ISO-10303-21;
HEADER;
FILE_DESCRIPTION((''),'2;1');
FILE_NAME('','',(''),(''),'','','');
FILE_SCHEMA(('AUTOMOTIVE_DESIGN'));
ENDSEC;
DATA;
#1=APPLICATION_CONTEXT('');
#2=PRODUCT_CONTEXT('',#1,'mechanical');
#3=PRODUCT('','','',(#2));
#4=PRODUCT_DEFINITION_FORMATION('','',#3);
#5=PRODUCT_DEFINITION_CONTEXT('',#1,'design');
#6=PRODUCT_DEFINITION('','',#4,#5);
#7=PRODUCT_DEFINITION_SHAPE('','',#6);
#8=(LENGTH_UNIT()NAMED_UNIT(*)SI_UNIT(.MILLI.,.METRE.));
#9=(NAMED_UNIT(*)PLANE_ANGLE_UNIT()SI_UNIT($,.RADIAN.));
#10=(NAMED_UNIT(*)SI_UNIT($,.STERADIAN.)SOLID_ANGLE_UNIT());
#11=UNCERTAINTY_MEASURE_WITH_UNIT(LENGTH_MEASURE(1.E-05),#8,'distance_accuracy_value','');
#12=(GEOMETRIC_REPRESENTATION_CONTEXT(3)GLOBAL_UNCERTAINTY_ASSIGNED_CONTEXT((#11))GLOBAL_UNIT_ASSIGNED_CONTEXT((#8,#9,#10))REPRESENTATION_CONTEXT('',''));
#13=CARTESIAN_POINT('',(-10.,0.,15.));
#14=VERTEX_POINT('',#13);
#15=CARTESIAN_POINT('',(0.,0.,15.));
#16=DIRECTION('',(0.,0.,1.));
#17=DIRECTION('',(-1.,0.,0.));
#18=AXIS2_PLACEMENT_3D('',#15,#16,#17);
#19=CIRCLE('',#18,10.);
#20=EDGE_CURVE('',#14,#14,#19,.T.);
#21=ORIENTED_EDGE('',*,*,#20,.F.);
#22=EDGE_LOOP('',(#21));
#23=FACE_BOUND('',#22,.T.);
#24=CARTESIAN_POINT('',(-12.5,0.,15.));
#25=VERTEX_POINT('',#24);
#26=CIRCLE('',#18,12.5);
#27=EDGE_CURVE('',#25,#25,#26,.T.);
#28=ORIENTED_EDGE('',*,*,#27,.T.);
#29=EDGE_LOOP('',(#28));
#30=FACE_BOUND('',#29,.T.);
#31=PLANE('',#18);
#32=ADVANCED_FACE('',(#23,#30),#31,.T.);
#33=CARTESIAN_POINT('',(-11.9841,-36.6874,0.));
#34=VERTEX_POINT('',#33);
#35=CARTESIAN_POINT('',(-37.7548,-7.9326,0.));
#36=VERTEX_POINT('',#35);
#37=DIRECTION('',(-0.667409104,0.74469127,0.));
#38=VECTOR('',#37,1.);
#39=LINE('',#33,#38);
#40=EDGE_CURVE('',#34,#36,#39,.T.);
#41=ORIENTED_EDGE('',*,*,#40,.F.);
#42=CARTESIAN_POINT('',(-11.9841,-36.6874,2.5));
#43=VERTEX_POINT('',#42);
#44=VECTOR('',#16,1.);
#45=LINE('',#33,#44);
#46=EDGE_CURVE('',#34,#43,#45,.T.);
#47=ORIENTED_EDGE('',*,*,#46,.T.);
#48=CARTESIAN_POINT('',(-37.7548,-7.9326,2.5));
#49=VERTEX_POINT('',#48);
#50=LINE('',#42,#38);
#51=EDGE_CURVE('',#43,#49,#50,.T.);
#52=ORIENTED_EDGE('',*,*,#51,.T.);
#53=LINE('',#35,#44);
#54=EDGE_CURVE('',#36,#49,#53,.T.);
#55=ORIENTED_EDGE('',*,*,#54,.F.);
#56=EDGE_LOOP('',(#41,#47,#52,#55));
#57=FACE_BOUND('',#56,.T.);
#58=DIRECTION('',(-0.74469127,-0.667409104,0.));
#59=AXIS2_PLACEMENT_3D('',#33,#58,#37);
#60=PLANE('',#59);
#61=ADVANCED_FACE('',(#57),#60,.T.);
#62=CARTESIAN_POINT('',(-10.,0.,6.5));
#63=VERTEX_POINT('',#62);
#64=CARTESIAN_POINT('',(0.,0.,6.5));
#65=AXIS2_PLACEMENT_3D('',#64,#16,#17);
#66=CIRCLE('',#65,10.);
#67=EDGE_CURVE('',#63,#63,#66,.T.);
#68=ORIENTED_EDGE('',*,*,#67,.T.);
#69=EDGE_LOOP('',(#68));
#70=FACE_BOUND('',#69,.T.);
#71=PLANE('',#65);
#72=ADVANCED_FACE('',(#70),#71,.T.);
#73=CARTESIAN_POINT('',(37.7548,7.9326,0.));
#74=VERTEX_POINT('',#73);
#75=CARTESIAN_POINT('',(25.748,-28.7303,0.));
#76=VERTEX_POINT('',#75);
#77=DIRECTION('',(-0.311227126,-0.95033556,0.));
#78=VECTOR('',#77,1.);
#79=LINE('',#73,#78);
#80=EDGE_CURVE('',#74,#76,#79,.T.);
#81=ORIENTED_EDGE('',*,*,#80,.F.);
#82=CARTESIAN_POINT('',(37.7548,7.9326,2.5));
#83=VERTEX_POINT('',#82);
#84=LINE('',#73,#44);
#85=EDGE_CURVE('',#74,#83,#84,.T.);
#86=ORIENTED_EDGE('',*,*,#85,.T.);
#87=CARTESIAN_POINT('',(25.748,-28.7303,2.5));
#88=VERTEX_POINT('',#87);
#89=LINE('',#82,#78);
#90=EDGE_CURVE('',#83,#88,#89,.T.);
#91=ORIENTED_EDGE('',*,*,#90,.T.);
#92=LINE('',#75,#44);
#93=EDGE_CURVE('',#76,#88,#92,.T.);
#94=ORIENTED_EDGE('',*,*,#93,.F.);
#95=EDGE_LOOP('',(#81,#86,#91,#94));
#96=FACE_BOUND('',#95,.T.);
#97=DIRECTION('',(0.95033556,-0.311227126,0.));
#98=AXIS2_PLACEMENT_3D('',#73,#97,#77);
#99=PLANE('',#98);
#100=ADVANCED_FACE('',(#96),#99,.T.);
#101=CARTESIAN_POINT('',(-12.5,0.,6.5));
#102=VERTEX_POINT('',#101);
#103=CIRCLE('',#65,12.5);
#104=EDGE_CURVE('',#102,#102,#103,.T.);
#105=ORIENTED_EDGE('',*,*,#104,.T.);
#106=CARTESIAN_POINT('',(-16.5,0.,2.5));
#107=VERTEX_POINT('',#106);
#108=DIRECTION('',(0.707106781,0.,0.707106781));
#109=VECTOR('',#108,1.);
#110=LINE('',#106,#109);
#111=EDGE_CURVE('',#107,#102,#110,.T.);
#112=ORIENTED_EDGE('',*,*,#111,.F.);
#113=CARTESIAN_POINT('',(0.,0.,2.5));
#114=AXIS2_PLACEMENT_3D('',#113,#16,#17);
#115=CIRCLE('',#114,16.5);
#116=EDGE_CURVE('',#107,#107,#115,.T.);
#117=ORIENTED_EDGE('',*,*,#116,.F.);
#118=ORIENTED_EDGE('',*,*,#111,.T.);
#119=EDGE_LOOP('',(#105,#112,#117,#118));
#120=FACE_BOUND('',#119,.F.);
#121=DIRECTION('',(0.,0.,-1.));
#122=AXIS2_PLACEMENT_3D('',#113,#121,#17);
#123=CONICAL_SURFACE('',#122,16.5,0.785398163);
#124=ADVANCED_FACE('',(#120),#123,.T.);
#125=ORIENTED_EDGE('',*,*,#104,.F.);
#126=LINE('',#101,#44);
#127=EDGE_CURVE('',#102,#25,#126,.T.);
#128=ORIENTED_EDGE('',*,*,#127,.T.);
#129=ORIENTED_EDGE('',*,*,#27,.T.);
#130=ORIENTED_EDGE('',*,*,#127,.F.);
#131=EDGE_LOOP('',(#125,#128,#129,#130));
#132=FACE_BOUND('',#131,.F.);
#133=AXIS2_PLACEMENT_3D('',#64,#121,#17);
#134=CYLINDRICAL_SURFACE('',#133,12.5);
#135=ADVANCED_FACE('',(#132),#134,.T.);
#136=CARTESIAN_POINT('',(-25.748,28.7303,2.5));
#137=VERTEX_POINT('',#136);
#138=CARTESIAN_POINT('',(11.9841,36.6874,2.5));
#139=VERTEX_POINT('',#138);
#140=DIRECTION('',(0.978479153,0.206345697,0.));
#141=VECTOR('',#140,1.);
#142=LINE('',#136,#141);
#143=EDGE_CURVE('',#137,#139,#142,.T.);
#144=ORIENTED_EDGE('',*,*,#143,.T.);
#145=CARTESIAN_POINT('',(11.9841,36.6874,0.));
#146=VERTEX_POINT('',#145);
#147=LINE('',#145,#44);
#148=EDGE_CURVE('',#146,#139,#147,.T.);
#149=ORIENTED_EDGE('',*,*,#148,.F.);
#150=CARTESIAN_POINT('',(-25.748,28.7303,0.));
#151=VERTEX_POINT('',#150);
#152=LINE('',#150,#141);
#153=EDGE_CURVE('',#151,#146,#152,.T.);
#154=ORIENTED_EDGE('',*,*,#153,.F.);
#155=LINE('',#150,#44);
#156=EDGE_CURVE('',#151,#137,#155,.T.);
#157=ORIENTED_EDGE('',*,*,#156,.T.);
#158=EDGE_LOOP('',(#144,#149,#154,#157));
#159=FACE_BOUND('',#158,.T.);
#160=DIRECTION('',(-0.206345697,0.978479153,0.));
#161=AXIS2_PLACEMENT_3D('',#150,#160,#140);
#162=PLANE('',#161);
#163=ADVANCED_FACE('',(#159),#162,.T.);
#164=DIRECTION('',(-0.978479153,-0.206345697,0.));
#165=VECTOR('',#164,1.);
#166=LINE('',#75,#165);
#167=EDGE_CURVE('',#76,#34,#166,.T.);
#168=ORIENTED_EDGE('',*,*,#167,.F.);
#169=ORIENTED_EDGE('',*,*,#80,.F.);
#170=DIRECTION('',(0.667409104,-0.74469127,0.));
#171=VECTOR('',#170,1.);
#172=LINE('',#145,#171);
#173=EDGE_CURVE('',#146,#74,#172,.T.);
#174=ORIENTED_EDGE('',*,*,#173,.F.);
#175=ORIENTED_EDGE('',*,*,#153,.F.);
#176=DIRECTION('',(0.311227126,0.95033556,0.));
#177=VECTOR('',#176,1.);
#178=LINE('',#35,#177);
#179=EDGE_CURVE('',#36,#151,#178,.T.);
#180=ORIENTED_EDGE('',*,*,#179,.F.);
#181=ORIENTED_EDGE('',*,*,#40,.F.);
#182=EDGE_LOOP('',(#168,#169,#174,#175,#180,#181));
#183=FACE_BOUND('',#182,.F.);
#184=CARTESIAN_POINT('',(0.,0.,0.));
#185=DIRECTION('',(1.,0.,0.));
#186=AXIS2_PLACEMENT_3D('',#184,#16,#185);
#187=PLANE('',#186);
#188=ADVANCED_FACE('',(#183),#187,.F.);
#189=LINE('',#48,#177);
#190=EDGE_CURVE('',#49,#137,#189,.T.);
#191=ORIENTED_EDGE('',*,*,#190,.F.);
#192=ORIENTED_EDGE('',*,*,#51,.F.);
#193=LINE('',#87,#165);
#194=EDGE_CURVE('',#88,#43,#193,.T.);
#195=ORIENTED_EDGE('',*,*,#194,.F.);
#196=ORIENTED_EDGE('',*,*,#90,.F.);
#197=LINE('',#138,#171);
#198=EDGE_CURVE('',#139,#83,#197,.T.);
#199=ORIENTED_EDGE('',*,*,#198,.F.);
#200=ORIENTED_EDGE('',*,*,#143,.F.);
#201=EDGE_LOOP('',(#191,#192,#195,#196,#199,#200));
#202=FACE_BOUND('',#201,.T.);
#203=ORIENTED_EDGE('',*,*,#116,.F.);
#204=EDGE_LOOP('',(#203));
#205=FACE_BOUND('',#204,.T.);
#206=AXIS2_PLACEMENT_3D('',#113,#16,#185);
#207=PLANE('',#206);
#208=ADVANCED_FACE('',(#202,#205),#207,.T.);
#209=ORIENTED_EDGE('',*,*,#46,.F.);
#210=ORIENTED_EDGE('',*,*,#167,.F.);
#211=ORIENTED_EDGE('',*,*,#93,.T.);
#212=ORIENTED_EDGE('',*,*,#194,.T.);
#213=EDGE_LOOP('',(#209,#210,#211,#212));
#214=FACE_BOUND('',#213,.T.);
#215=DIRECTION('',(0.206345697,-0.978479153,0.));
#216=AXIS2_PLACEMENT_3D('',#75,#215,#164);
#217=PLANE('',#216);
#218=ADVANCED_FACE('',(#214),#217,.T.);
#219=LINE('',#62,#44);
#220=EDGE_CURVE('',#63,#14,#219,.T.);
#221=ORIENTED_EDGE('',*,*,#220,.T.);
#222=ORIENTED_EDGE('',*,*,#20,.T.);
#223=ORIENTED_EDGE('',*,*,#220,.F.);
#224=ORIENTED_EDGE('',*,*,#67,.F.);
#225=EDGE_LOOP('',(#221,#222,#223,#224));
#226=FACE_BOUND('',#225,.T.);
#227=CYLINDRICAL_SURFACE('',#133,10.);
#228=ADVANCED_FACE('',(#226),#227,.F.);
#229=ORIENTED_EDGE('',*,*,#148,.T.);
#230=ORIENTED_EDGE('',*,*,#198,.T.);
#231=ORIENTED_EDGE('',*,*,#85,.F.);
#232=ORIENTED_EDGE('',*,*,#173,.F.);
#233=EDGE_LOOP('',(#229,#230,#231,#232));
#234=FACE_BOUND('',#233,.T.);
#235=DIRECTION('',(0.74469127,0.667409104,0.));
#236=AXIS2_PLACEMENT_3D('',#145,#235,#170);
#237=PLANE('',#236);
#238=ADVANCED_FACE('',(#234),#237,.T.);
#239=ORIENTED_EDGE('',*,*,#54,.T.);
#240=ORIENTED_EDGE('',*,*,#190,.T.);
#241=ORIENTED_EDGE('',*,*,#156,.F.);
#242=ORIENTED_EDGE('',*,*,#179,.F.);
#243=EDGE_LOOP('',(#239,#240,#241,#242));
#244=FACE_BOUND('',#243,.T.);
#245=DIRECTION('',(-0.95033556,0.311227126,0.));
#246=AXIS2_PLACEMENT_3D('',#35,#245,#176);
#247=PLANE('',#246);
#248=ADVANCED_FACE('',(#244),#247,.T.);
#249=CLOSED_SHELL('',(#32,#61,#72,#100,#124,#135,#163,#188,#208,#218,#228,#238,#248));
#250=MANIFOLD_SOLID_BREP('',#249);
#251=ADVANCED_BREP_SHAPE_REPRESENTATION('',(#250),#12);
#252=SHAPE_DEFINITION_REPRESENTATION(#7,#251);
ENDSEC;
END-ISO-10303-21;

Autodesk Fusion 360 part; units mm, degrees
sketch "Sketch1" plane through (0, 0, 0) normal (0, 0, 1) x (1, 0, 0)
  line L0 (-25.748, 28.7303) -> (11.9841, 36.6874)
  line L1 (11.9841, 36.6874) -> (37.7548, 7.9326)
  line L2 (37.7548, 7.9326) -> (25.748, -28.7303)
  line L3 (25.748, -28.7303) -> (-11.9841, -36.6874)
  line L4 (-11.9841, -36.6874) -> (-37.7548, -7.9326)
  line L5 (-37.7548, -7.9326) -> (-25.748, 28.7303)
  line L6 (-25.748, 28.7303) -> (25.748, -28.7303) construction
  dimension "d1" = 38.562
  dimension "d2" = 38.562
  dimension "d3" = 38.613
  dimension "d4" = 38.613
  dimension "d5" = 38.579
  dimension "d6" = 38.579
  dimension "d7" = 66.85
  dimension "d8" = 66.82
extrude "Extrude1" add sketch "Sketch1" along normal blind 2.5
sketch "Sketch2" plane through (0, 0, 2.5) normal (0, 0, 1) x (-1, 0, 0)
  line L0 (37.7548, 7.9326) -> (11.9841, 36.6874)
  line L1 (11.9841, 36.6874) -> (-25.748, 28.7303)
  line L2 (-25.748, 28.7303) -> (-37.7548, -7.9326)
  line L3 (-37.7548, -7.9326) -> (-11.9841, -36.6874)
  line L4 (-11.9841, -36.6874) -> (25.748, -28.7303)
  line L5 (25.748, -28.7303) -> (37.7548, 7.9326)
  circle A0 centre (0, 0) radius 16.5
  dimension "d11" = 33
extrude "Extrude2" add sketch "Sketch2" along normal blind 4 draft -45 contours A0
sketch "Sketch3" plane through (0, 0, 6.5) normal (0, 0, 1) x (-1, 0, 0)
  circle A0 centre (0, 0) radius 12.5
  circle A1 centre (0, 0) radius 10
  circle A2 centre (0, 0) radius 12.5
  dimension "d14" = 20
  dimension "d15" = 25
extrude "Extrude3" add sketch "Sketch3" along normal blind 8.5
